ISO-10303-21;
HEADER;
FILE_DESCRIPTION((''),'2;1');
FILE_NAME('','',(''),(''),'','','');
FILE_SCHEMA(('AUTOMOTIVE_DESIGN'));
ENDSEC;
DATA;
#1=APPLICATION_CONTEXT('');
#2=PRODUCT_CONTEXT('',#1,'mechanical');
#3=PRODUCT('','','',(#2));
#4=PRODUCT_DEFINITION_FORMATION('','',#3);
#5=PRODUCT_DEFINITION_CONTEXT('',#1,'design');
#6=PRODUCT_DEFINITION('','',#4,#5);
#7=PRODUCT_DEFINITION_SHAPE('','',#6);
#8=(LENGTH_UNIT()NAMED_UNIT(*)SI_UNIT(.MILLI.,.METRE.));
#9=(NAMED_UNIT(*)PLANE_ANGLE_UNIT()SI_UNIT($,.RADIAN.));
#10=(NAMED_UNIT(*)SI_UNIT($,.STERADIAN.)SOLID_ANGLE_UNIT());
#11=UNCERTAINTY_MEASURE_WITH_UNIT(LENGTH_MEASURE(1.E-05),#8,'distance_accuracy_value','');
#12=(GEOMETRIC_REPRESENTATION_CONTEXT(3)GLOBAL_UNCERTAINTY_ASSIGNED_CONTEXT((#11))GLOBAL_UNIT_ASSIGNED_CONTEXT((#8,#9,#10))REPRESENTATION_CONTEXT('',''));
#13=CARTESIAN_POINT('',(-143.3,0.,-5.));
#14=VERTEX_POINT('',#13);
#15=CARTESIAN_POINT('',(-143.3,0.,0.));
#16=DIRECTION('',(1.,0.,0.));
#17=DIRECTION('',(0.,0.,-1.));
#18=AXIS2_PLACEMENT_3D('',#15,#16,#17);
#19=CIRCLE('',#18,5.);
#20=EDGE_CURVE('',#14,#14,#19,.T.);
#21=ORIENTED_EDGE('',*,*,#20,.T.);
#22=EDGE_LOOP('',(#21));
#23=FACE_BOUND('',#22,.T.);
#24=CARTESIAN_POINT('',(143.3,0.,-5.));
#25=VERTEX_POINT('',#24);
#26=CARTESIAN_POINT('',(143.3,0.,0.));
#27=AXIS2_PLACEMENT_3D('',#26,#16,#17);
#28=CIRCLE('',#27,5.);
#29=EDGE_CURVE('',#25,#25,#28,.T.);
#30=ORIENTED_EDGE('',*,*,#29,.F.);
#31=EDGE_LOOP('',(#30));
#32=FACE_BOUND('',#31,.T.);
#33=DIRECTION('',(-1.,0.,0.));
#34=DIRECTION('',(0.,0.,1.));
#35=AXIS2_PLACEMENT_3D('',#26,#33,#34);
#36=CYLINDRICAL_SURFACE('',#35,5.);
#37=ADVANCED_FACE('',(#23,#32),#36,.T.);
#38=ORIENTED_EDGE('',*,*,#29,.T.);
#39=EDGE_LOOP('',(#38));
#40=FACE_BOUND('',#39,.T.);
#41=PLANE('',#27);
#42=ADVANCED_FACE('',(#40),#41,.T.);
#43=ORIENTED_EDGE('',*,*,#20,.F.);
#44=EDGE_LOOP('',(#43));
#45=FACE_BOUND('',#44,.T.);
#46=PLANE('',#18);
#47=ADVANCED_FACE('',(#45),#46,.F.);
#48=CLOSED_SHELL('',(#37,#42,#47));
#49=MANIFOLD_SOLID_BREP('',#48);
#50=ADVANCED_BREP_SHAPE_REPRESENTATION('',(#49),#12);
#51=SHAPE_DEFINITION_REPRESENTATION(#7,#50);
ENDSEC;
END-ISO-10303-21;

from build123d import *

# Parameters (mm, degrees)
SKETCH1_R           = 5
BOSS_EXTRUDE1_DEPTH = 143.3


with BuildPart() as part:
    # Sketch1 → Boss-Extrude1 (new body, symmetric)
    with BuildSketch(Plane(origin=(0, 0, 0), x_dir=(0, 0, -1), z_dir=(1, 0, 0))):
        Circle(SKETCH1_R)
    extrude(amount=BOSS_EXTRUDE1_DEPTH, both=True)


solid = part.part
